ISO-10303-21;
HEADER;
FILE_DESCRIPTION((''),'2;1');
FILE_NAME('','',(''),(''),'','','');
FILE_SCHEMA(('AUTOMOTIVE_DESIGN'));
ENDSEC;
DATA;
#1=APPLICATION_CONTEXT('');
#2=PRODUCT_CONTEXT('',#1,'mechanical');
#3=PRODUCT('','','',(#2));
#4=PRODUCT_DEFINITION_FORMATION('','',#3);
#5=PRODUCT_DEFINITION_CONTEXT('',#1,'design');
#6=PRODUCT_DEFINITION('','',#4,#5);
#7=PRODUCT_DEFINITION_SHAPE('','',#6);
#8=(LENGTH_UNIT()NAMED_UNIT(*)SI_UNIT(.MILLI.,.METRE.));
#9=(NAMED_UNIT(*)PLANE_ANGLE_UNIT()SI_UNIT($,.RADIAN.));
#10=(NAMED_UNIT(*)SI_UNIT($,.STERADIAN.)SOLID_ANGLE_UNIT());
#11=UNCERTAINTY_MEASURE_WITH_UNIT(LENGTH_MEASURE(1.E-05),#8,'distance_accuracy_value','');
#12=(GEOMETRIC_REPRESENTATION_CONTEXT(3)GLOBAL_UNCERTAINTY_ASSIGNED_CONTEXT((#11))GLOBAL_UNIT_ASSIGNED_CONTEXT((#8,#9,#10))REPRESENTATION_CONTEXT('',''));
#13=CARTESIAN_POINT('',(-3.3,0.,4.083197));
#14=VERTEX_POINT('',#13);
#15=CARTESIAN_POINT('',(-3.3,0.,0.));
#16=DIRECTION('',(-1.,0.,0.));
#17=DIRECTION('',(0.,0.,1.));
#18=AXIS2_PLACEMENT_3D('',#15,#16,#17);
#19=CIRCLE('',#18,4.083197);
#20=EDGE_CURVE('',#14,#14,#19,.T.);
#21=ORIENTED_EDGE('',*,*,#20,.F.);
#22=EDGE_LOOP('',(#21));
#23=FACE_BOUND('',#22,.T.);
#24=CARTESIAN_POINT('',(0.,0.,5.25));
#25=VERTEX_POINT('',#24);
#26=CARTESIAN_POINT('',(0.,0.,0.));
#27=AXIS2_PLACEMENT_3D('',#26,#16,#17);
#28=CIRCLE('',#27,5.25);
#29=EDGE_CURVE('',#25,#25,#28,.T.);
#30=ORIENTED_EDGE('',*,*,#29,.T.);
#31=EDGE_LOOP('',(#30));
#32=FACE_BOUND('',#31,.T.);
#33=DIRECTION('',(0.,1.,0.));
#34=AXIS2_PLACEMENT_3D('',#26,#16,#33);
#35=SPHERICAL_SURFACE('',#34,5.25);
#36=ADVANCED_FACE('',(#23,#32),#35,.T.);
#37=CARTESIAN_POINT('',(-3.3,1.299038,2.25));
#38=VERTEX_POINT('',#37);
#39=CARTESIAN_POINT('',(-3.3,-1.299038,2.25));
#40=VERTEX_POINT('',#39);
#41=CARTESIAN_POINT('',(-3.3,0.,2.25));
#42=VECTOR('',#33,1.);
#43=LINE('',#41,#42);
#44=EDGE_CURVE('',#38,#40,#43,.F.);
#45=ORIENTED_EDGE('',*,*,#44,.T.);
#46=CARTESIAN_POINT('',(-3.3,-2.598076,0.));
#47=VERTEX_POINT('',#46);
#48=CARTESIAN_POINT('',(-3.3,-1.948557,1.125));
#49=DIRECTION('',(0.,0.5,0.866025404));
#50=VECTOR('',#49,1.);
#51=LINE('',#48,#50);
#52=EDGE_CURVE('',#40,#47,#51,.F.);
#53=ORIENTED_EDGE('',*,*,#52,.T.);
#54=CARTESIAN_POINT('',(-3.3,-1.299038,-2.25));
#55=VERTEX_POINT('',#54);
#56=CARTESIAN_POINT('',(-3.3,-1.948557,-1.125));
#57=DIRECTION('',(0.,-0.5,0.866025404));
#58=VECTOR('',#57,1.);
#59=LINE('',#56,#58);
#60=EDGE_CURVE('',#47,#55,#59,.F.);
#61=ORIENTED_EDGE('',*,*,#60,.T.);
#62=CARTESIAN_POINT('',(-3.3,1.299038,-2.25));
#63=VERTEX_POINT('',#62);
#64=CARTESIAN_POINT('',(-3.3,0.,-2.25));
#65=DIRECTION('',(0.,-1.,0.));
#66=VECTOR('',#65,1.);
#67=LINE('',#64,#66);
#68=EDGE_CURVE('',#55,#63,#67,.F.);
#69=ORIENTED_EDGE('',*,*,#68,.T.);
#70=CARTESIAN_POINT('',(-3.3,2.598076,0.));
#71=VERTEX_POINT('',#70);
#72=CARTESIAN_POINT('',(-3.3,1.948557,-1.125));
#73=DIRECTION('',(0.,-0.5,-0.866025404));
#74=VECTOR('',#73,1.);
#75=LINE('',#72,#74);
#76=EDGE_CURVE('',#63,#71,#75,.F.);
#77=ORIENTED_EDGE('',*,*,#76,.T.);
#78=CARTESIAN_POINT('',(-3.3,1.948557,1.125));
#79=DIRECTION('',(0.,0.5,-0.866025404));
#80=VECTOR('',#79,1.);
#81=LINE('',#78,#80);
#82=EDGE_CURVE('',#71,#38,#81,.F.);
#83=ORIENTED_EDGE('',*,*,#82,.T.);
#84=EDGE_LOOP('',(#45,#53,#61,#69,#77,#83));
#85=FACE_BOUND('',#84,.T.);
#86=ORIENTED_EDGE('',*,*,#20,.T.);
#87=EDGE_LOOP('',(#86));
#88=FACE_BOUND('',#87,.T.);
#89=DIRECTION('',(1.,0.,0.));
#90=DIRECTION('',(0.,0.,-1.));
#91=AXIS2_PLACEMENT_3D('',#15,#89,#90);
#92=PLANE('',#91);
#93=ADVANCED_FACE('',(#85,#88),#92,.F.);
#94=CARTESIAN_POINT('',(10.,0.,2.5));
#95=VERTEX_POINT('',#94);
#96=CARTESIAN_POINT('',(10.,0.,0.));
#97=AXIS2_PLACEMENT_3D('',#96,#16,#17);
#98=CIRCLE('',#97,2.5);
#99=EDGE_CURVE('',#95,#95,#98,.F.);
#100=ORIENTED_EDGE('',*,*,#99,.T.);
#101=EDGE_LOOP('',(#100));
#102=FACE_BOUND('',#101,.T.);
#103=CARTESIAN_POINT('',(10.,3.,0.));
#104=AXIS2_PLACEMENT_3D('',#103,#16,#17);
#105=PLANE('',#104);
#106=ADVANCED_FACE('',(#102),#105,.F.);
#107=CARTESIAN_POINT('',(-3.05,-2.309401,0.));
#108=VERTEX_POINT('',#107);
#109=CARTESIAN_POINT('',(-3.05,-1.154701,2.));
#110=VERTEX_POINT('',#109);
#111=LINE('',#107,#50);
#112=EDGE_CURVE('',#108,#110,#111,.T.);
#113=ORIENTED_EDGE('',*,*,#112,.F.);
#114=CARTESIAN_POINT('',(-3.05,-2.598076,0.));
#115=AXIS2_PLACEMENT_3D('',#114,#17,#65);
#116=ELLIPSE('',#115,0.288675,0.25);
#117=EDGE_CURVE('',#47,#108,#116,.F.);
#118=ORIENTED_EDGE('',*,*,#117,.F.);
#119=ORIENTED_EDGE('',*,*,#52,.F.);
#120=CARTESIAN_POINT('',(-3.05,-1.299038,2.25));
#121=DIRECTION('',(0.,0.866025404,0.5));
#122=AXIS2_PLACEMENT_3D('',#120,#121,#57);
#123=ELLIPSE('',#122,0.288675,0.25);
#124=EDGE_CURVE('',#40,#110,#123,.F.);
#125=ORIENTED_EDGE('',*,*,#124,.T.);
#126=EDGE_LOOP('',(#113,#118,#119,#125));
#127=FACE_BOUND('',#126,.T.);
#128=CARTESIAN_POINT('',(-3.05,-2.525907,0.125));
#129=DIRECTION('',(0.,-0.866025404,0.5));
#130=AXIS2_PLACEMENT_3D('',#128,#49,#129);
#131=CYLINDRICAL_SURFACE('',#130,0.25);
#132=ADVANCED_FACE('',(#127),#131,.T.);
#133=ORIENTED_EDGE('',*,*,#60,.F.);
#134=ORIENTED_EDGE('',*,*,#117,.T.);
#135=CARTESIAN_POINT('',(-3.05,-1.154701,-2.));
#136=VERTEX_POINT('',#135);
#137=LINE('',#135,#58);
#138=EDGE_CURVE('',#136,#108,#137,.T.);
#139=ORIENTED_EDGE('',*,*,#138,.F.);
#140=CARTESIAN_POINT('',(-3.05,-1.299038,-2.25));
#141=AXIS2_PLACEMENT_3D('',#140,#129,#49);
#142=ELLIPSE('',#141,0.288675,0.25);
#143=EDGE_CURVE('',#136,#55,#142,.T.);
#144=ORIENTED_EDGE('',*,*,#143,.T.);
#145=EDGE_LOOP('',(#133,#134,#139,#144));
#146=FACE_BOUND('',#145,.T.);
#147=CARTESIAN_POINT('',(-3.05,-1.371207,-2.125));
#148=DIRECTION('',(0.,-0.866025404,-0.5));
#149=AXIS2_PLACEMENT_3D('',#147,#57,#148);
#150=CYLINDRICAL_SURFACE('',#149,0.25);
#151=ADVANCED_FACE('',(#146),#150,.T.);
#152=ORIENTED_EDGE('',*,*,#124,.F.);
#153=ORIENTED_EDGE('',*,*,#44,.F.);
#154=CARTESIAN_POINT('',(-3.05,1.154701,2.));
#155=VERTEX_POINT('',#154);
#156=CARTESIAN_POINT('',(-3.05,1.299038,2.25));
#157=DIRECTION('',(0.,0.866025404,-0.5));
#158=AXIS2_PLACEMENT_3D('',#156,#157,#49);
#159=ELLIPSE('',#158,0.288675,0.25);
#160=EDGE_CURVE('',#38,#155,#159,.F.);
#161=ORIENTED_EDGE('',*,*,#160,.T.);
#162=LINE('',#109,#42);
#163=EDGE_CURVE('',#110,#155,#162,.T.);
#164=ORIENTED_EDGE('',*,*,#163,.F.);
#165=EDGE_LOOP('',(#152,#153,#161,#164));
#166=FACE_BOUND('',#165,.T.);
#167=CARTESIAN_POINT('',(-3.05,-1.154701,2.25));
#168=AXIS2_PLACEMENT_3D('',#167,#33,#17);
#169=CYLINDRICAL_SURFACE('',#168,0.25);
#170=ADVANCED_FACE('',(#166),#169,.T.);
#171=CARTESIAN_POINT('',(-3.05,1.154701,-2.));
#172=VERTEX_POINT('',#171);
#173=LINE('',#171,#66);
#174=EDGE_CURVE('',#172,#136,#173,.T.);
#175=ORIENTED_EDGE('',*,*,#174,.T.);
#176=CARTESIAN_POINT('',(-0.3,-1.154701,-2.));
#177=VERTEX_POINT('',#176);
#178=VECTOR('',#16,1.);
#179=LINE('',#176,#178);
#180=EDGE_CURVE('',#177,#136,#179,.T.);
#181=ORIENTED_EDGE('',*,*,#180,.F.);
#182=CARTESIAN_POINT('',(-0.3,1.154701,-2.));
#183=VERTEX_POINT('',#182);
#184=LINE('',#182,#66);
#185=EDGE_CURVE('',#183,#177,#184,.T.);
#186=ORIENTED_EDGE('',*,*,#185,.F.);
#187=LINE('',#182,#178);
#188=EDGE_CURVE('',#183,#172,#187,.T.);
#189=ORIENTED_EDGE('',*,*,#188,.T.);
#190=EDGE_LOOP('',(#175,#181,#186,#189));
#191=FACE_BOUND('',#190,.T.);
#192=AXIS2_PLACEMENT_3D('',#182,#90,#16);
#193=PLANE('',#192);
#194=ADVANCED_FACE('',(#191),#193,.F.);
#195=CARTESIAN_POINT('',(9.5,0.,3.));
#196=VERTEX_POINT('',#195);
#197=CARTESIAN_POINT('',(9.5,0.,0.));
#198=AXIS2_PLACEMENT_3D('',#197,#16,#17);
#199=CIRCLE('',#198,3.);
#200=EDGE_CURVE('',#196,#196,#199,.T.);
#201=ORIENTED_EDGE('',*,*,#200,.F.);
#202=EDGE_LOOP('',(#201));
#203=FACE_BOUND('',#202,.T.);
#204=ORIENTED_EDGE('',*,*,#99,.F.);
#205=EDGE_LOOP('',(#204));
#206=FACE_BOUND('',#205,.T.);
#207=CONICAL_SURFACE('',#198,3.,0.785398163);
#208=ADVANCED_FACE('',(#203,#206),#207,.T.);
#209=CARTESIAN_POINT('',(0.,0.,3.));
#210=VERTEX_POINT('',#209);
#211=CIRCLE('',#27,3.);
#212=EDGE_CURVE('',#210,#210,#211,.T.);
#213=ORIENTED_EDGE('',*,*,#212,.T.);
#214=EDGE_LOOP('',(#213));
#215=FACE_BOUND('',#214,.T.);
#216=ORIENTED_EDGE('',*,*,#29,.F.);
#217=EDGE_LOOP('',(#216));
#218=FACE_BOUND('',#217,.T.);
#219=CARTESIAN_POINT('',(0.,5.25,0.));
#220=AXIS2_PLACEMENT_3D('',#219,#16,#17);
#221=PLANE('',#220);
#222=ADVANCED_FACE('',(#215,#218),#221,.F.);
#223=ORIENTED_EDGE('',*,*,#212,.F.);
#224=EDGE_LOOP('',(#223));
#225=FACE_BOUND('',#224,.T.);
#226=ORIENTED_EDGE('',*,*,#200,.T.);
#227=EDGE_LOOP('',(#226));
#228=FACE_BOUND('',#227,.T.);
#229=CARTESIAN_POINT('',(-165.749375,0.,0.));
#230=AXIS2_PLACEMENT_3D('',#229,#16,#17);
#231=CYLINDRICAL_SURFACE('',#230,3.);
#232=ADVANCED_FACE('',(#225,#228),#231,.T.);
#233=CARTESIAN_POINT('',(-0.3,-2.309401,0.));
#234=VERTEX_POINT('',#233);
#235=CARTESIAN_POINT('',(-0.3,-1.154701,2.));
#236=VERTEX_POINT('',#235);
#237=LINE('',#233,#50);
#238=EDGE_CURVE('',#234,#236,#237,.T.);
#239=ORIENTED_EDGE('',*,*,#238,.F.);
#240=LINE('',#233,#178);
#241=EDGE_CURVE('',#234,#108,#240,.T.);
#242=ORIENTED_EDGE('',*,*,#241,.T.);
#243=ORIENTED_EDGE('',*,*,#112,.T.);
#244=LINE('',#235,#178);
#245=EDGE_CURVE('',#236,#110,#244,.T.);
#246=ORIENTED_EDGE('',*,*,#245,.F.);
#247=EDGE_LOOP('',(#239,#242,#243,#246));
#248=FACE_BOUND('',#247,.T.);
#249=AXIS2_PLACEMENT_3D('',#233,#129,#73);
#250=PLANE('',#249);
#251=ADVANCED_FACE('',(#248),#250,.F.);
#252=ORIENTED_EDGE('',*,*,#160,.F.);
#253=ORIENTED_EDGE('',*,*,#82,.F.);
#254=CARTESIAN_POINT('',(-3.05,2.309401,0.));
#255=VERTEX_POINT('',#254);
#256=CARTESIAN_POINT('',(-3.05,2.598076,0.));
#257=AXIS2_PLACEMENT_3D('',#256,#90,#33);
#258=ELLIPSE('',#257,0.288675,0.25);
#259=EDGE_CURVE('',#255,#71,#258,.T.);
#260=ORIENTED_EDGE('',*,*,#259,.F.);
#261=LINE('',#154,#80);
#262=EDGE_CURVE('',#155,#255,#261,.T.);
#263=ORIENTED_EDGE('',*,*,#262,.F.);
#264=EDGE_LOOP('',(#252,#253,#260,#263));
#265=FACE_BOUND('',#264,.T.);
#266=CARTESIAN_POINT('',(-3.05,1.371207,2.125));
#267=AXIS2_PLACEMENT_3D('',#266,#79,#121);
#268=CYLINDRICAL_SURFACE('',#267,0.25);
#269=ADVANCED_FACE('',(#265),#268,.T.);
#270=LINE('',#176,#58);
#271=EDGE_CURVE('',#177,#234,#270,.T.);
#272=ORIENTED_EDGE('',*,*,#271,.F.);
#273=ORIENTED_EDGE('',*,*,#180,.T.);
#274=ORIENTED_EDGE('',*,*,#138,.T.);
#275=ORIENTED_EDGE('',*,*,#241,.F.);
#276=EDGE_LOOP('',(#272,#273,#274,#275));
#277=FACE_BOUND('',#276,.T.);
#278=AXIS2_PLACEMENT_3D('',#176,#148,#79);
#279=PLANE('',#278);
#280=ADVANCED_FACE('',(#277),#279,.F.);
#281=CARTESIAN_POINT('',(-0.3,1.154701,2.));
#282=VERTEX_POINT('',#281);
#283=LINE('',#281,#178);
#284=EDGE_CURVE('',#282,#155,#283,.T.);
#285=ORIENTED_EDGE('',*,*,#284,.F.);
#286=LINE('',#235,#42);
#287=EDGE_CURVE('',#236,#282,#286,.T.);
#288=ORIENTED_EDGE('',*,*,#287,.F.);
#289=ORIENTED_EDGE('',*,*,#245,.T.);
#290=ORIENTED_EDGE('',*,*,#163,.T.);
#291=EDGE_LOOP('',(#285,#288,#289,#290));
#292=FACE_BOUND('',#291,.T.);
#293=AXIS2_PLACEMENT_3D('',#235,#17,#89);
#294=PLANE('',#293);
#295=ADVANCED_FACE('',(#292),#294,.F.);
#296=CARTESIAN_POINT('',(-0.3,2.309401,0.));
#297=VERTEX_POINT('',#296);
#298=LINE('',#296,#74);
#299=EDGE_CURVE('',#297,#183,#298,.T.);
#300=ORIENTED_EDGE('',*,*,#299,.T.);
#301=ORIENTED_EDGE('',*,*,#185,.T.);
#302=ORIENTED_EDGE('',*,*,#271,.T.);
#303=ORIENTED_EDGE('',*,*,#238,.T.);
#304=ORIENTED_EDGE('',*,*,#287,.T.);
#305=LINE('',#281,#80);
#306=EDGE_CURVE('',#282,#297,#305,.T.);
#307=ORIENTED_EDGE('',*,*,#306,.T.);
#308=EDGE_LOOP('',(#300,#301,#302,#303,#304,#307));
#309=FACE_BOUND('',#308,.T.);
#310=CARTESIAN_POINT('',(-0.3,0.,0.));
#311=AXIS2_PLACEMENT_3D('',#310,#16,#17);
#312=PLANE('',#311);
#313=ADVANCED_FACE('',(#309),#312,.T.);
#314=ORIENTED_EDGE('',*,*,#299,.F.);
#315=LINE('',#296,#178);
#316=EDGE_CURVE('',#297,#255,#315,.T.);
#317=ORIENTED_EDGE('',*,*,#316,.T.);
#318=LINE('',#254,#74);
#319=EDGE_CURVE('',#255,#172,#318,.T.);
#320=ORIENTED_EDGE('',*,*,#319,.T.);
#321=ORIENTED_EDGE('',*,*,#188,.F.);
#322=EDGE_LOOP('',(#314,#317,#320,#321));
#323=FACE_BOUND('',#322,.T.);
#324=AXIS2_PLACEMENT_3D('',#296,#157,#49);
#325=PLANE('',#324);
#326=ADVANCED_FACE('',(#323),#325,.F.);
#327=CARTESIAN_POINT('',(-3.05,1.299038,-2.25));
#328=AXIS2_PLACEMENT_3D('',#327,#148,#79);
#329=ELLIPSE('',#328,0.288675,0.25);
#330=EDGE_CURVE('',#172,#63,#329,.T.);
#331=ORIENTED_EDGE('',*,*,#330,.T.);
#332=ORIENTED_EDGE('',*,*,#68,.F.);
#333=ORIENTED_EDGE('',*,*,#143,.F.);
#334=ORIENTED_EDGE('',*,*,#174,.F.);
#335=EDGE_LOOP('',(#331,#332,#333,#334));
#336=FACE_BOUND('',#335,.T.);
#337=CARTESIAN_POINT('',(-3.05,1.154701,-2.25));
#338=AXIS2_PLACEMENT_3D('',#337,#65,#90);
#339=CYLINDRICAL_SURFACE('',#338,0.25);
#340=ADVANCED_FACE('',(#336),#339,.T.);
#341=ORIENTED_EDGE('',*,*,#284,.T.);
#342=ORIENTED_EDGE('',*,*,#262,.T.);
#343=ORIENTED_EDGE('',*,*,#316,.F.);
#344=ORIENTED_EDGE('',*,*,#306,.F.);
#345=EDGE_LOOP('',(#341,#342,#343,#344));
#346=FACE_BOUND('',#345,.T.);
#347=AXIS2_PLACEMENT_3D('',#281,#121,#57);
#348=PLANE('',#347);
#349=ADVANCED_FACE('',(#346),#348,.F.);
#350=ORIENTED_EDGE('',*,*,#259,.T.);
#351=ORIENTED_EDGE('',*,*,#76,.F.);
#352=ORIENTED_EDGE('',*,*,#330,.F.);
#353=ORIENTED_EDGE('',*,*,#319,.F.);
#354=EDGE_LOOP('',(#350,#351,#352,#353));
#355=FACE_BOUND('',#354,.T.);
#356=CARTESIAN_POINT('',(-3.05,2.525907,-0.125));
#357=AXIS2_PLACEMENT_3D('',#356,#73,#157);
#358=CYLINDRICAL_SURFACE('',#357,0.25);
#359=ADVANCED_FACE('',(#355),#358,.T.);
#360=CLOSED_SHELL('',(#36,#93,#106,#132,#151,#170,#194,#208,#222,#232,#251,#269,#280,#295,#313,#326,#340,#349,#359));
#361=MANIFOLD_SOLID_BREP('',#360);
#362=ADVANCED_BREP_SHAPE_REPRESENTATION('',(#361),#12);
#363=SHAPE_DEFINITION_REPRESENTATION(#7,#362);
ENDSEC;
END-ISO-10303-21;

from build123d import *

# Parameters (mm, degrees)
CUT_EXTRUDE_1_DEPTH = 3
FILLET_1_R          = 0.25
CHAMFER_1_SIZE      = 0.5


with BuildPart() as part:
    # Эскиз1 → Повернуть1 (revolve)
    with BuildSketch(Plane.XY):
        with BuildLine():
            Line((0, 5.25), (0, 3))
            Line((0, 3), (10, 3))
            Line((10, 3), (10, 0))
            Line((10, 0), (-3.3, 0))
            Line((-3.3, 0), (-3.3, 4.083197277))
            ThreePointArc((-3.3, 4.083197277), (-1.75010204, 4.949711391), (0, 5.25))
        make_face()
    revolve(axis=Axis((-165.749374514, 0, 0), (1, 0, 0)))

    # Эскиз2 → Вырез-Вытянуть1 (cut)
    with BuildSketch(Plane.ZY.offset(3.3)):
        Polygon((0, -2.309401077), (2, -1.154700538), (2, 1.154700538), (0, 2.309401077), (-2, 1.154700538), (-2, -1.154700538), align=None)
    extrude(amount=-CUT_EXTRUDE_1_DEPTH, mode=Mode.SUBTRACT)

    # Скругление1
    fillet_1_edges = [part.edges().sort_by_distance(p)[0] for p in [
        (-3.3, -1.732050808, -1),
        (-3.3, -1.732050808, 1),
        (-3.3, 0, 2),
        (-3.3, 1.732050808, 1),
        (-3.3, 1.732050808, -1),
        (-3.3, 0, -2),
    ]]
    fillet(fillet_1_edges, radius=FILLET_1_R)

    # Фаска1
    chamfer_1_edges = [part.edges().sort_by_distance(p)[0] for p in [
        (10, -3, 0),
    ]]
    chamfer(chamfer_1_edges, length=CHAMFER_1_SIZE)


solid = part.part
